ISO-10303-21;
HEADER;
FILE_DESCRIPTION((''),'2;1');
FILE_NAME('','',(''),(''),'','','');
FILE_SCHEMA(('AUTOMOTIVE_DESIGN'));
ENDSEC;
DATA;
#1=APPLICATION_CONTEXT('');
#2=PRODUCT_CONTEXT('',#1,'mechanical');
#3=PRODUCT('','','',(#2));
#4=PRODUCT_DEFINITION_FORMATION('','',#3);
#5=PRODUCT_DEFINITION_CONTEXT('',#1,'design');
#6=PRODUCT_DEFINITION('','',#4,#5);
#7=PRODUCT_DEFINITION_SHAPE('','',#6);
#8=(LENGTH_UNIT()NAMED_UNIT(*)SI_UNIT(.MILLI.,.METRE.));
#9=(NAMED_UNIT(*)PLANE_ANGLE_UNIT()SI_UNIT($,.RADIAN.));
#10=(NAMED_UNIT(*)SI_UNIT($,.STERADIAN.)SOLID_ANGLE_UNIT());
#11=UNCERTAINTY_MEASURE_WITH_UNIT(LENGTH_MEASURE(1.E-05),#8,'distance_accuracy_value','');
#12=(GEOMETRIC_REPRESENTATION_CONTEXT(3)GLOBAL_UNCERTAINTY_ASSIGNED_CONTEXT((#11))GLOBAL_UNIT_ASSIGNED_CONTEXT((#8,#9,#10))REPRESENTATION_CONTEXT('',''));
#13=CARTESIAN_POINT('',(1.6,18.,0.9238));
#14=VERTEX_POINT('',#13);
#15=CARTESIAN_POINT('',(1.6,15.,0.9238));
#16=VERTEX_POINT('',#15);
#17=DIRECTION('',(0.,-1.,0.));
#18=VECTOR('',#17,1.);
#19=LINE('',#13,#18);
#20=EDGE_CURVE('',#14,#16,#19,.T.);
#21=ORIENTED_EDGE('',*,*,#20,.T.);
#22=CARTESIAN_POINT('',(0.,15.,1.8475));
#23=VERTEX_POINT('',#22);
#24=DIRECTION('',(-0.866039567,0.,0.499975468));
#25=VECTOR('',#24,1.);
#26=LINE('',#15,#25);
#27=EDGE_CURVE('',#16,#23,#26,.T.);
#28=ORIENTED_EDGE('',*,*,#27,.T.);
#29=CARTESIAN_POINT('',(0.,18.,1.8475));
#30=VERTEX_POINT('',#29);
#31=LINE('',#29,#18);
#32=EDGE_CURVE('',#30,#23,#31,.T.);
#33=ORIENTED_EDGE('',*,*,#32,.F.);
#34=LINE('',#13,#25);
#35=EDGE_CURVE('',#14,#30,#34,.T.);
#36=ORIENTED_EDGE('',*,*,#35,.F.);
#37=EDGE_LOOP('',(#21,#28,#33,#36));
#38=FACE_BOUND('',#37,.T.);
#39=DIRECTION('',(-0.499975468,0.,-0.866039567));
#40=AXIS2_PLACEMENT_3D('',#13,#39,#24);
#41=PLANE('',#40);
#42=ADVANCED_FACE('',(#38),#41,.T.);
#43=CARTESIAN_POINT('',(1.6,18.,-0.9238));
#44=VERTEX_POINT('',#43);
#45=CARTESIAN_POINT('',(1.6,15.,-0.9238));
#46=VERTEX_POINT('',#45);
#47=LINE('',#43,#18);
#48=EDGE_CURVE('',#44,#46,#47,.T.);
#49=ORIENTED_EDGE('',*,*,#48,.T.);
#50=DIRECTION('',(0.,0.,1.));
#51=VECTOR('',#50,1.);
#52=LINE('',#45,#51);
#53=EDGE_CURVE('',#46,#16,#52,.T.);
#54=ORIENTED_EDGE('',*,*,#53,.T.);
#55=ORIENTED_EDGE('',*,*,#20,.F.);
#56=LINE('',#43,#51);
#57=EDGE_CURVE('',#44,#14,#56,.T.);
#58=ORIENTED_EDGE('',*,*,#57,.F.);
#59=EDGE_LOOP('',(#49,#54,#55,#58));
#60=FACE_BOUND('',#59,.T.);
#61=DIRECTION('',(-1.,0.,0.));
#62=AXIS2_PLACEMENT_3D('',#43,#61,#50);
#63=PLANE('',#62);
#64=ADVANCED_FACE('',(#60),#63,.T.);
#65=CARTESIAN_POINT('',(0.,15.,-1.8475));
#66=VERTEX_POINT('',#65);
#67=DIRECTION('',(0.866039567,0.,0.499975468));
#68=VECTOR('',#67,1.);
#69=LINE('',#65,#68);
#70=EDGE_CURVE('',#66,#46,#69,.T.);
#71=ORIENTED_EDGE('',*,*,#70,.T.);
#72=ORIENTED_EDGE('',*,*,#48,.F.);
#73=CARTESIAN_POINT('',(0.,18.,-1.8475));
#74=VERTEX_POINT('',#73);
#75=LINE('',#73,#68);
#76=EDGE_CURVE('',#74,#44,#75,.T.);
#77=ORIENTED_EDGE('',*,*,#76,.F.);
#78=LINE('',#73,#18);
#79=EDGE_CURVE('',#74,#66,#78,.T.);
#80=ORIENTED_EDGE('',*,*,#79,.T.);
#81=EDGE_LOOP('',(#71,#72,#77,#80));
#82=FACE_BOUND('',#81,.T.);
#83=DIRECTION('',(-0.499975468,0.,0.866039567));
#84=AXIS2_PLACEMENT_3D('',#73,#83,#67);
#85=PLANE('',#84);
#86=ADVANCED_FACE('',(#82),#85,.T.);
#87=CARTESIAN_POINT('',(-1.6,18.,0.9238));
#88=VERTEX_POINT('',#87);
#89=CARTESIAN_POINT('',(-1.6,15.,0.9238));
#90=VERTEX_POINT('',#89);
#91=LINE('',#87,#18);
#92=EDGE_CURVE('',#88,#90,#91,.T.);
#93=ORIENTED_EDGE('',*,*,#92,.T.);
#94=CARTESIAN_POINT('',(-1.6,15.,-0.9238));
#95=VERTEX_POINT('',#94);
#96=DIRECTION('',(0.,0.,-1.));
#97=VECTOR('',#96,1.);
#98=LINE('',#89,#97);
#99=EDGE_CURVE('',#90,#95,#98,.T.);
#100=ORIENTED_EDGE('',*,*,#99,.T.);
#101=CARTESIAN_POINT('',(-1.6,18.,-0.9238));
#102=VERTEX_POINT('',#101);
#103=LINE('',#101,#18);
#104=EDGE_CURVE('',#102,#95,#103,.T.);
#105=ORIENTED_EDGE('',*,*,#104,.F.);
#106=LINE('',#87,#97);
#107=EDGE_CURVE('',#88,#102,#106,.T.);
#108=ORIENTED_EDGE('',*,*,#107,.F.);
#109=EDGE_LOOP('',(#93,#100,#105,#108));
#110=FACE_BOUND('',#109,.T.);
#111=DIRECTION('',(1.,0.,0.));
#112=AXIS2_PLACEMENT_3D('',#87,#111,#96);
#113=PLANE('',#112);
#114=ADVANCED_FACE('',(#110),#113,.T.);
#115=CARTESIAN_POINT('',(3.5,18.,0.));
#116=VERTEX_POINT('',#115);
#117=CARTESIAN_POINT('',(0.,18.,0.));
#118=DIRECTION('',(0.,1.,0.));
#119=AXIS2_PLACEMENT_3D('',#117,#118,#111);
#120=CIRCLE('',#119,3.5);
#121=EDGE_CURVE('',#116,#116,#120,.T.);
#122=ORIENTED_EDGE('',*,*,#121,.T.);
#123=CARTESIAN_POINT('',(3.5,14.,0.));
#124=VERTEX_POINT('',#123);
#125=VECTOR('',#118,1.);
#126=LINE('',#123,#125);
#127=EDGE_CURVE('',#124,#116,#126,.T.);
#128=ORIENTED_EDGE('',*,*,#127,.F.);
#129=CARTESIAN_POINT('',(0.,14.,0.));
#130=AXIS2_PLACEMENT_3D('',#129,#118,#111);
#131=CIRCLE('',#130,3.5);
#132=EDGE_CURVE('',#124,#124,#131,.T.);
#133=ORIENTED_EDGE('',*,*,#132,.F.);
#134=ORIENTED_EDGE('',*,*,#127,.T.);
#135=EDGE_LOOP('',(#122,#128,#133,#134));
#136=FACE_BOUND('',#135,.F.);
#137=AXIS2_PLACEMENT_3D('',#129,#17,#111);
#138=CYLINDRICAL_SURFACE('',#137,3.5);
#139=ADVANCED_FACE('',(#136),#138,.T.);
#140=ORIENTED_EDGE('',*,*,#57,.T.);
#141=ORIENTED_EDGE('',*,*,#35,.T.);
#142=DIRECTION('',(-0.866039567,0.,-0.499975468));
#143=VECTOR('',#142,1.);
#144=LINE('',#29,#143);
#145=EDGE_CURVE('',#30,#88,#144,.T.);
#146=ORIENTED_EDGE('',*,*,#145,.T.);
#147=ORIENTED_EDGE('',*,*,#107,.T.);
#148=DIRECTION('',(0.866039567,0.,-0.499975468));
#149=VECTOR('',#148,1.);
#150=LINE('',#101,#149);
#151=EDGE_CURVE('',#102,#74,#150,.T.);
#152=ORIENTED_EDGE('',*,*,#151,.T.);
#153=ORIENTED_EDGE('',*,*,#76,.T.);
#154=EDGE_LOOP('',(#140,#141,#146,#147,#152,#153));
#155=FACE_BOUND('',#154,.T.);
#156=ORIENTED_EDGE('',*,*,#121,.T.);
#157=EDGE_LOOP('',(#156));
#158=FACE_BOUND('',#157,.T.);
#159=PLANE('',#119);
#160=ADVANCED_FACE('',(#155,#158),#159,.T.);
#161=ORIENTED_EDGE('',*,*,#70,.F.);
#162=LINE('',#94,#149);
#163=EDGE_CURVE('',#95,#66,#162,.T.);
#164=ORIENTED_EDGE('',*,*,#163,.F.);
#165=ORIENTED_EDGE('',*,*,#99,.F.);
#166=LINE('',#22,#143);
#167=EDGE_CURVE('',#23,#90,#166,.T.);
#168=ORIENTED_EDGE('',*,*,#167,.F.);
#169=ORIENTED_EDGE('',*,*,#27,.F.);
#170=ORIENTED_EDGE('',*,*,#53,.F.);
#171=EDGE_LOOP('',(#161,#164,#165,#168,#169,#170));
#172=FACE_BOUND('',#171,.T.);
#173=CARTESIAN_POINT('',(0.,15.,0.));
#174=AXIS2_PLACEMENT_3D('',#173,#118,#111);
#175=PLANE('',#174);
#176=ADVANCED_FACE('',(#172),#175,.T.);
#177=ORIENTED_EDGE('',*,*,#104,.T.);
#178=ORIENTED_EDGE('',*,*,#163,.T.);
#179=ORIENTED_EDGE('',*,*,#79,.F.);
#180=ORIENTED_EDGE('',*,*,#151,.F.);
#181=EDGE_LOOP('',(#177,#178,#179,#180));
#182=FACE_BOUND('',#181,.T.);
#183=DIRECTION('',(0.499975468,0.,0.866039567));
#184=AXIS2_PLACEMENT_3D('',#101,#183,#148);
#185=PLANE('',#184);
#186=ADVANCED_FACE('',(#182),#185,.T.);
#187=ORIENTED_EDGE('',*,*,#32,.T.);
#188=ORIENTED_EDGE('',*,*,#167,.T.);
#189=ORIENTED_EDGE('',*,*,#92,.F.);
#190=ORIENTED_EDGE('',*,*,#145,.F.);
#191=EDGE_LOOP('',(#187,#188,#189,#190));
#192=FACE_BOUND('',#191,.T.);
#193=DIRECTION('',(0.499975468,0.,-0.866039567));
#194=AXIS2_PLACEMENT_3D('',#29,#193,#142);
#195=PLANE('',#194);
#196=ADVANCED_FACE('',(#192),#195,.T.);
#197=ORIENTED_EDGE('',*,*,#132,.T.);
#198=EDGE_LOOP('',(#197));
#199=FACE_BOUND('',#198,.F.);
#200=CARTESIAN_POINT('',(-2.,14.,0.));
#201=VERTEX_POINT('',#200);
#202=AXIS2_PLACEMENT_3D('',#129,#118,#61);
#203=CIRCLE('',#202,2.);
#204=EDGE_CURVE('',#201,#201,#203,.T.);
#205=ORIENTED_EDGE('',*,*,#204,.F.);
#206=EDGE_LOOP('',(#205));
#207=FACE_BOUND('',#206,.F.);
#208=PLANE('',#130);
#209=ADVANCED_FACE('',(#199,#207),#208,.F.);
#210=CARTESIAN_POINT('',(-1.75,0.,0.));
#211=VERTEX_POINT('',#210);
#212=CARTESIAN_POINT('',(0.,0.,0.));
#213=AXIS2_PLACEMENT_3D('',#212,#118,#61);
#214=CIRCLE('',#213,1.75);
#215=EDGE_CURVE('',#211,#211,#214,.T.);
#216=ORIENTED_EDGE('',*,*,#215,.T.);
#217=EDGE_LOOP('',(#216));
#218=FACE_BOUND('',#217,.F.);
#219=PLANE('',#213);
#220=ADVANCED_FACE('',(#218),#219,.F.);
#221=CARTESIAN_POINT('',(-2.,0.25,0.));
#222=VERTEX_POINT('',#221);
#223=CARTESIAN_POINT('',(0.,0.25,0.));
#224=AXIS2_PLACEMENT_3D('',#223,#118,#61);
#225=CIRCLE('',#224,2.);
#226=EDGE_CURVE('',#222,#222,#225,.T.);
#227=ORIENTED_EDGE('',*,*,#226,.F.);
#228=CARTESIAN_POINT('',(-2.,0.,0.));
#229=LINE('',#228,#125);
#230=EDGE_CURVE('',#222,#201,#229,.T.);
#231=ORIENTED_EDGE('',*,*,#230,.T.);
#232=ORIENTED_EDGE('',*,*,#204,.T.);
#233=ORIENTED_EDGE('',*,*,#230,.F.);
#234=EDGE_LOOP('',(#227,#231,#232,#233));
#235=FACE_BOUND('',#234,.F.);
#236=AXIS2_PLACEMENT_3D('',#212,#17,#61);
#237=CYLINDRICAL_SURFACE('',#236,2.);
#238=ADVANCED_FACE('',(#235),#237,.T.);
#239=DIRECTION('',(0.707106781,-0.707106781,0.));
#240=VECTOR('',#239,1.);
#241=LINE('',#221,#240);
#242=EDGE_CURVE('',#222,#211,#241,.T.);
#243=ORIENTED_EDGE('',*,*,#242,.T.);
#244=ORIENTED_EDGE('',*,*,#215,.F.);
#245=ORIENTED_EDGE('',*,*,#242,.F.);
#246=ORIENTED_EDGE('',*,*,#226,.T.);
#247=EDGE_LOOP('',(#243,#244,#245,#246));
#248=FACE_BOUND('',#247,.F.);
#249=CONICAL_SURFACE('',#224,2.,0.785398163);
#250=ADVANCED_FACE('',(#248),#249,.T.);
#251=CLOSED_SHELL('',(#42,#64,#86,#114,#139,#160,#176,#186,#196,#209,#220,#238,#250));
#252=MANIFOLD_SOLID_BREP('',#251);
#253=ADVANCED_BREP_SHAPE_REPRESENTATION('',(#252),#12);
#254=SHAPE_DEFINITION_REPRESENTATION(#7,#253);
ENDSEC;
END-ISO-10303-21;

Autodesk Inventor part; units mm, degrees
ref_plane "YZ Plane" through (0, 0, 0) normal (1, 0, 0) x (0, 1, 0)
ref_plane "XZ Plane" through (0, 0, 0) normal (0, 1, 0) x (-1, 0, 0)
ref_plane "XY Plane" through (0, 0, 0) normal (0, 0, 1) x (1, 0, 0)
sketch "Sketch1" plane through (0, 0, 0) normal (0, 1, 0) x (-1, 0, 0)
  circle A0 centre (0, 0) radius 2
  dimension "d0" = 4
extrude "Extrusion1" add sketch "Sketch1" along normal blind 14
sketch "Sketch2" plane through (0, 14, 0) normal (0, 1, 0) x (1, 0, 0)
  circle A0 centre (0, 0) radius 2 projected
  circle A1 centre (0, 0) radius 3.5
  dimension "d3" = 7
extrude "Extrusion2" add sketch "Sketch2" along normal blind 4 contours A0 | A1
sketch "Sketch3" plane through (0, 18, 0) normal (0, 1, 0) x (1, 0, 0)
  circle A0 centre (0, 0) radius 3.5 projected
  line L0 (0, 1.8475) -> (1.6, 0.9238)
  line L1 (1.6, 0.9238) -> (1.6, -0.9238)
  line L2 (1.6, -0.9238) -> (0, -1.8475)
  line L3 (0, -1.8475) -> (-1.6, -0.9238)
  line L4 (-1.6, -0.9238) -> (-1.6, 0.9238)
  line L5 (-1.6, 0.9238) -> (0, 1.8475)
  dimension "d6" = 1.6
extrude "Extrusion3" cut sketch "Sketch3" against normal blind 3 contours L0 L1 L2 L3 L4 L5
thread "Thread1" size "M4x0.7" class "6g" standard "ANSI Metric M Profile" full length
chamfer "Chamfer1" distance 0.25 angle 45 1 edges at (2, 0, 0)
properties part number "SHCS4x14"
